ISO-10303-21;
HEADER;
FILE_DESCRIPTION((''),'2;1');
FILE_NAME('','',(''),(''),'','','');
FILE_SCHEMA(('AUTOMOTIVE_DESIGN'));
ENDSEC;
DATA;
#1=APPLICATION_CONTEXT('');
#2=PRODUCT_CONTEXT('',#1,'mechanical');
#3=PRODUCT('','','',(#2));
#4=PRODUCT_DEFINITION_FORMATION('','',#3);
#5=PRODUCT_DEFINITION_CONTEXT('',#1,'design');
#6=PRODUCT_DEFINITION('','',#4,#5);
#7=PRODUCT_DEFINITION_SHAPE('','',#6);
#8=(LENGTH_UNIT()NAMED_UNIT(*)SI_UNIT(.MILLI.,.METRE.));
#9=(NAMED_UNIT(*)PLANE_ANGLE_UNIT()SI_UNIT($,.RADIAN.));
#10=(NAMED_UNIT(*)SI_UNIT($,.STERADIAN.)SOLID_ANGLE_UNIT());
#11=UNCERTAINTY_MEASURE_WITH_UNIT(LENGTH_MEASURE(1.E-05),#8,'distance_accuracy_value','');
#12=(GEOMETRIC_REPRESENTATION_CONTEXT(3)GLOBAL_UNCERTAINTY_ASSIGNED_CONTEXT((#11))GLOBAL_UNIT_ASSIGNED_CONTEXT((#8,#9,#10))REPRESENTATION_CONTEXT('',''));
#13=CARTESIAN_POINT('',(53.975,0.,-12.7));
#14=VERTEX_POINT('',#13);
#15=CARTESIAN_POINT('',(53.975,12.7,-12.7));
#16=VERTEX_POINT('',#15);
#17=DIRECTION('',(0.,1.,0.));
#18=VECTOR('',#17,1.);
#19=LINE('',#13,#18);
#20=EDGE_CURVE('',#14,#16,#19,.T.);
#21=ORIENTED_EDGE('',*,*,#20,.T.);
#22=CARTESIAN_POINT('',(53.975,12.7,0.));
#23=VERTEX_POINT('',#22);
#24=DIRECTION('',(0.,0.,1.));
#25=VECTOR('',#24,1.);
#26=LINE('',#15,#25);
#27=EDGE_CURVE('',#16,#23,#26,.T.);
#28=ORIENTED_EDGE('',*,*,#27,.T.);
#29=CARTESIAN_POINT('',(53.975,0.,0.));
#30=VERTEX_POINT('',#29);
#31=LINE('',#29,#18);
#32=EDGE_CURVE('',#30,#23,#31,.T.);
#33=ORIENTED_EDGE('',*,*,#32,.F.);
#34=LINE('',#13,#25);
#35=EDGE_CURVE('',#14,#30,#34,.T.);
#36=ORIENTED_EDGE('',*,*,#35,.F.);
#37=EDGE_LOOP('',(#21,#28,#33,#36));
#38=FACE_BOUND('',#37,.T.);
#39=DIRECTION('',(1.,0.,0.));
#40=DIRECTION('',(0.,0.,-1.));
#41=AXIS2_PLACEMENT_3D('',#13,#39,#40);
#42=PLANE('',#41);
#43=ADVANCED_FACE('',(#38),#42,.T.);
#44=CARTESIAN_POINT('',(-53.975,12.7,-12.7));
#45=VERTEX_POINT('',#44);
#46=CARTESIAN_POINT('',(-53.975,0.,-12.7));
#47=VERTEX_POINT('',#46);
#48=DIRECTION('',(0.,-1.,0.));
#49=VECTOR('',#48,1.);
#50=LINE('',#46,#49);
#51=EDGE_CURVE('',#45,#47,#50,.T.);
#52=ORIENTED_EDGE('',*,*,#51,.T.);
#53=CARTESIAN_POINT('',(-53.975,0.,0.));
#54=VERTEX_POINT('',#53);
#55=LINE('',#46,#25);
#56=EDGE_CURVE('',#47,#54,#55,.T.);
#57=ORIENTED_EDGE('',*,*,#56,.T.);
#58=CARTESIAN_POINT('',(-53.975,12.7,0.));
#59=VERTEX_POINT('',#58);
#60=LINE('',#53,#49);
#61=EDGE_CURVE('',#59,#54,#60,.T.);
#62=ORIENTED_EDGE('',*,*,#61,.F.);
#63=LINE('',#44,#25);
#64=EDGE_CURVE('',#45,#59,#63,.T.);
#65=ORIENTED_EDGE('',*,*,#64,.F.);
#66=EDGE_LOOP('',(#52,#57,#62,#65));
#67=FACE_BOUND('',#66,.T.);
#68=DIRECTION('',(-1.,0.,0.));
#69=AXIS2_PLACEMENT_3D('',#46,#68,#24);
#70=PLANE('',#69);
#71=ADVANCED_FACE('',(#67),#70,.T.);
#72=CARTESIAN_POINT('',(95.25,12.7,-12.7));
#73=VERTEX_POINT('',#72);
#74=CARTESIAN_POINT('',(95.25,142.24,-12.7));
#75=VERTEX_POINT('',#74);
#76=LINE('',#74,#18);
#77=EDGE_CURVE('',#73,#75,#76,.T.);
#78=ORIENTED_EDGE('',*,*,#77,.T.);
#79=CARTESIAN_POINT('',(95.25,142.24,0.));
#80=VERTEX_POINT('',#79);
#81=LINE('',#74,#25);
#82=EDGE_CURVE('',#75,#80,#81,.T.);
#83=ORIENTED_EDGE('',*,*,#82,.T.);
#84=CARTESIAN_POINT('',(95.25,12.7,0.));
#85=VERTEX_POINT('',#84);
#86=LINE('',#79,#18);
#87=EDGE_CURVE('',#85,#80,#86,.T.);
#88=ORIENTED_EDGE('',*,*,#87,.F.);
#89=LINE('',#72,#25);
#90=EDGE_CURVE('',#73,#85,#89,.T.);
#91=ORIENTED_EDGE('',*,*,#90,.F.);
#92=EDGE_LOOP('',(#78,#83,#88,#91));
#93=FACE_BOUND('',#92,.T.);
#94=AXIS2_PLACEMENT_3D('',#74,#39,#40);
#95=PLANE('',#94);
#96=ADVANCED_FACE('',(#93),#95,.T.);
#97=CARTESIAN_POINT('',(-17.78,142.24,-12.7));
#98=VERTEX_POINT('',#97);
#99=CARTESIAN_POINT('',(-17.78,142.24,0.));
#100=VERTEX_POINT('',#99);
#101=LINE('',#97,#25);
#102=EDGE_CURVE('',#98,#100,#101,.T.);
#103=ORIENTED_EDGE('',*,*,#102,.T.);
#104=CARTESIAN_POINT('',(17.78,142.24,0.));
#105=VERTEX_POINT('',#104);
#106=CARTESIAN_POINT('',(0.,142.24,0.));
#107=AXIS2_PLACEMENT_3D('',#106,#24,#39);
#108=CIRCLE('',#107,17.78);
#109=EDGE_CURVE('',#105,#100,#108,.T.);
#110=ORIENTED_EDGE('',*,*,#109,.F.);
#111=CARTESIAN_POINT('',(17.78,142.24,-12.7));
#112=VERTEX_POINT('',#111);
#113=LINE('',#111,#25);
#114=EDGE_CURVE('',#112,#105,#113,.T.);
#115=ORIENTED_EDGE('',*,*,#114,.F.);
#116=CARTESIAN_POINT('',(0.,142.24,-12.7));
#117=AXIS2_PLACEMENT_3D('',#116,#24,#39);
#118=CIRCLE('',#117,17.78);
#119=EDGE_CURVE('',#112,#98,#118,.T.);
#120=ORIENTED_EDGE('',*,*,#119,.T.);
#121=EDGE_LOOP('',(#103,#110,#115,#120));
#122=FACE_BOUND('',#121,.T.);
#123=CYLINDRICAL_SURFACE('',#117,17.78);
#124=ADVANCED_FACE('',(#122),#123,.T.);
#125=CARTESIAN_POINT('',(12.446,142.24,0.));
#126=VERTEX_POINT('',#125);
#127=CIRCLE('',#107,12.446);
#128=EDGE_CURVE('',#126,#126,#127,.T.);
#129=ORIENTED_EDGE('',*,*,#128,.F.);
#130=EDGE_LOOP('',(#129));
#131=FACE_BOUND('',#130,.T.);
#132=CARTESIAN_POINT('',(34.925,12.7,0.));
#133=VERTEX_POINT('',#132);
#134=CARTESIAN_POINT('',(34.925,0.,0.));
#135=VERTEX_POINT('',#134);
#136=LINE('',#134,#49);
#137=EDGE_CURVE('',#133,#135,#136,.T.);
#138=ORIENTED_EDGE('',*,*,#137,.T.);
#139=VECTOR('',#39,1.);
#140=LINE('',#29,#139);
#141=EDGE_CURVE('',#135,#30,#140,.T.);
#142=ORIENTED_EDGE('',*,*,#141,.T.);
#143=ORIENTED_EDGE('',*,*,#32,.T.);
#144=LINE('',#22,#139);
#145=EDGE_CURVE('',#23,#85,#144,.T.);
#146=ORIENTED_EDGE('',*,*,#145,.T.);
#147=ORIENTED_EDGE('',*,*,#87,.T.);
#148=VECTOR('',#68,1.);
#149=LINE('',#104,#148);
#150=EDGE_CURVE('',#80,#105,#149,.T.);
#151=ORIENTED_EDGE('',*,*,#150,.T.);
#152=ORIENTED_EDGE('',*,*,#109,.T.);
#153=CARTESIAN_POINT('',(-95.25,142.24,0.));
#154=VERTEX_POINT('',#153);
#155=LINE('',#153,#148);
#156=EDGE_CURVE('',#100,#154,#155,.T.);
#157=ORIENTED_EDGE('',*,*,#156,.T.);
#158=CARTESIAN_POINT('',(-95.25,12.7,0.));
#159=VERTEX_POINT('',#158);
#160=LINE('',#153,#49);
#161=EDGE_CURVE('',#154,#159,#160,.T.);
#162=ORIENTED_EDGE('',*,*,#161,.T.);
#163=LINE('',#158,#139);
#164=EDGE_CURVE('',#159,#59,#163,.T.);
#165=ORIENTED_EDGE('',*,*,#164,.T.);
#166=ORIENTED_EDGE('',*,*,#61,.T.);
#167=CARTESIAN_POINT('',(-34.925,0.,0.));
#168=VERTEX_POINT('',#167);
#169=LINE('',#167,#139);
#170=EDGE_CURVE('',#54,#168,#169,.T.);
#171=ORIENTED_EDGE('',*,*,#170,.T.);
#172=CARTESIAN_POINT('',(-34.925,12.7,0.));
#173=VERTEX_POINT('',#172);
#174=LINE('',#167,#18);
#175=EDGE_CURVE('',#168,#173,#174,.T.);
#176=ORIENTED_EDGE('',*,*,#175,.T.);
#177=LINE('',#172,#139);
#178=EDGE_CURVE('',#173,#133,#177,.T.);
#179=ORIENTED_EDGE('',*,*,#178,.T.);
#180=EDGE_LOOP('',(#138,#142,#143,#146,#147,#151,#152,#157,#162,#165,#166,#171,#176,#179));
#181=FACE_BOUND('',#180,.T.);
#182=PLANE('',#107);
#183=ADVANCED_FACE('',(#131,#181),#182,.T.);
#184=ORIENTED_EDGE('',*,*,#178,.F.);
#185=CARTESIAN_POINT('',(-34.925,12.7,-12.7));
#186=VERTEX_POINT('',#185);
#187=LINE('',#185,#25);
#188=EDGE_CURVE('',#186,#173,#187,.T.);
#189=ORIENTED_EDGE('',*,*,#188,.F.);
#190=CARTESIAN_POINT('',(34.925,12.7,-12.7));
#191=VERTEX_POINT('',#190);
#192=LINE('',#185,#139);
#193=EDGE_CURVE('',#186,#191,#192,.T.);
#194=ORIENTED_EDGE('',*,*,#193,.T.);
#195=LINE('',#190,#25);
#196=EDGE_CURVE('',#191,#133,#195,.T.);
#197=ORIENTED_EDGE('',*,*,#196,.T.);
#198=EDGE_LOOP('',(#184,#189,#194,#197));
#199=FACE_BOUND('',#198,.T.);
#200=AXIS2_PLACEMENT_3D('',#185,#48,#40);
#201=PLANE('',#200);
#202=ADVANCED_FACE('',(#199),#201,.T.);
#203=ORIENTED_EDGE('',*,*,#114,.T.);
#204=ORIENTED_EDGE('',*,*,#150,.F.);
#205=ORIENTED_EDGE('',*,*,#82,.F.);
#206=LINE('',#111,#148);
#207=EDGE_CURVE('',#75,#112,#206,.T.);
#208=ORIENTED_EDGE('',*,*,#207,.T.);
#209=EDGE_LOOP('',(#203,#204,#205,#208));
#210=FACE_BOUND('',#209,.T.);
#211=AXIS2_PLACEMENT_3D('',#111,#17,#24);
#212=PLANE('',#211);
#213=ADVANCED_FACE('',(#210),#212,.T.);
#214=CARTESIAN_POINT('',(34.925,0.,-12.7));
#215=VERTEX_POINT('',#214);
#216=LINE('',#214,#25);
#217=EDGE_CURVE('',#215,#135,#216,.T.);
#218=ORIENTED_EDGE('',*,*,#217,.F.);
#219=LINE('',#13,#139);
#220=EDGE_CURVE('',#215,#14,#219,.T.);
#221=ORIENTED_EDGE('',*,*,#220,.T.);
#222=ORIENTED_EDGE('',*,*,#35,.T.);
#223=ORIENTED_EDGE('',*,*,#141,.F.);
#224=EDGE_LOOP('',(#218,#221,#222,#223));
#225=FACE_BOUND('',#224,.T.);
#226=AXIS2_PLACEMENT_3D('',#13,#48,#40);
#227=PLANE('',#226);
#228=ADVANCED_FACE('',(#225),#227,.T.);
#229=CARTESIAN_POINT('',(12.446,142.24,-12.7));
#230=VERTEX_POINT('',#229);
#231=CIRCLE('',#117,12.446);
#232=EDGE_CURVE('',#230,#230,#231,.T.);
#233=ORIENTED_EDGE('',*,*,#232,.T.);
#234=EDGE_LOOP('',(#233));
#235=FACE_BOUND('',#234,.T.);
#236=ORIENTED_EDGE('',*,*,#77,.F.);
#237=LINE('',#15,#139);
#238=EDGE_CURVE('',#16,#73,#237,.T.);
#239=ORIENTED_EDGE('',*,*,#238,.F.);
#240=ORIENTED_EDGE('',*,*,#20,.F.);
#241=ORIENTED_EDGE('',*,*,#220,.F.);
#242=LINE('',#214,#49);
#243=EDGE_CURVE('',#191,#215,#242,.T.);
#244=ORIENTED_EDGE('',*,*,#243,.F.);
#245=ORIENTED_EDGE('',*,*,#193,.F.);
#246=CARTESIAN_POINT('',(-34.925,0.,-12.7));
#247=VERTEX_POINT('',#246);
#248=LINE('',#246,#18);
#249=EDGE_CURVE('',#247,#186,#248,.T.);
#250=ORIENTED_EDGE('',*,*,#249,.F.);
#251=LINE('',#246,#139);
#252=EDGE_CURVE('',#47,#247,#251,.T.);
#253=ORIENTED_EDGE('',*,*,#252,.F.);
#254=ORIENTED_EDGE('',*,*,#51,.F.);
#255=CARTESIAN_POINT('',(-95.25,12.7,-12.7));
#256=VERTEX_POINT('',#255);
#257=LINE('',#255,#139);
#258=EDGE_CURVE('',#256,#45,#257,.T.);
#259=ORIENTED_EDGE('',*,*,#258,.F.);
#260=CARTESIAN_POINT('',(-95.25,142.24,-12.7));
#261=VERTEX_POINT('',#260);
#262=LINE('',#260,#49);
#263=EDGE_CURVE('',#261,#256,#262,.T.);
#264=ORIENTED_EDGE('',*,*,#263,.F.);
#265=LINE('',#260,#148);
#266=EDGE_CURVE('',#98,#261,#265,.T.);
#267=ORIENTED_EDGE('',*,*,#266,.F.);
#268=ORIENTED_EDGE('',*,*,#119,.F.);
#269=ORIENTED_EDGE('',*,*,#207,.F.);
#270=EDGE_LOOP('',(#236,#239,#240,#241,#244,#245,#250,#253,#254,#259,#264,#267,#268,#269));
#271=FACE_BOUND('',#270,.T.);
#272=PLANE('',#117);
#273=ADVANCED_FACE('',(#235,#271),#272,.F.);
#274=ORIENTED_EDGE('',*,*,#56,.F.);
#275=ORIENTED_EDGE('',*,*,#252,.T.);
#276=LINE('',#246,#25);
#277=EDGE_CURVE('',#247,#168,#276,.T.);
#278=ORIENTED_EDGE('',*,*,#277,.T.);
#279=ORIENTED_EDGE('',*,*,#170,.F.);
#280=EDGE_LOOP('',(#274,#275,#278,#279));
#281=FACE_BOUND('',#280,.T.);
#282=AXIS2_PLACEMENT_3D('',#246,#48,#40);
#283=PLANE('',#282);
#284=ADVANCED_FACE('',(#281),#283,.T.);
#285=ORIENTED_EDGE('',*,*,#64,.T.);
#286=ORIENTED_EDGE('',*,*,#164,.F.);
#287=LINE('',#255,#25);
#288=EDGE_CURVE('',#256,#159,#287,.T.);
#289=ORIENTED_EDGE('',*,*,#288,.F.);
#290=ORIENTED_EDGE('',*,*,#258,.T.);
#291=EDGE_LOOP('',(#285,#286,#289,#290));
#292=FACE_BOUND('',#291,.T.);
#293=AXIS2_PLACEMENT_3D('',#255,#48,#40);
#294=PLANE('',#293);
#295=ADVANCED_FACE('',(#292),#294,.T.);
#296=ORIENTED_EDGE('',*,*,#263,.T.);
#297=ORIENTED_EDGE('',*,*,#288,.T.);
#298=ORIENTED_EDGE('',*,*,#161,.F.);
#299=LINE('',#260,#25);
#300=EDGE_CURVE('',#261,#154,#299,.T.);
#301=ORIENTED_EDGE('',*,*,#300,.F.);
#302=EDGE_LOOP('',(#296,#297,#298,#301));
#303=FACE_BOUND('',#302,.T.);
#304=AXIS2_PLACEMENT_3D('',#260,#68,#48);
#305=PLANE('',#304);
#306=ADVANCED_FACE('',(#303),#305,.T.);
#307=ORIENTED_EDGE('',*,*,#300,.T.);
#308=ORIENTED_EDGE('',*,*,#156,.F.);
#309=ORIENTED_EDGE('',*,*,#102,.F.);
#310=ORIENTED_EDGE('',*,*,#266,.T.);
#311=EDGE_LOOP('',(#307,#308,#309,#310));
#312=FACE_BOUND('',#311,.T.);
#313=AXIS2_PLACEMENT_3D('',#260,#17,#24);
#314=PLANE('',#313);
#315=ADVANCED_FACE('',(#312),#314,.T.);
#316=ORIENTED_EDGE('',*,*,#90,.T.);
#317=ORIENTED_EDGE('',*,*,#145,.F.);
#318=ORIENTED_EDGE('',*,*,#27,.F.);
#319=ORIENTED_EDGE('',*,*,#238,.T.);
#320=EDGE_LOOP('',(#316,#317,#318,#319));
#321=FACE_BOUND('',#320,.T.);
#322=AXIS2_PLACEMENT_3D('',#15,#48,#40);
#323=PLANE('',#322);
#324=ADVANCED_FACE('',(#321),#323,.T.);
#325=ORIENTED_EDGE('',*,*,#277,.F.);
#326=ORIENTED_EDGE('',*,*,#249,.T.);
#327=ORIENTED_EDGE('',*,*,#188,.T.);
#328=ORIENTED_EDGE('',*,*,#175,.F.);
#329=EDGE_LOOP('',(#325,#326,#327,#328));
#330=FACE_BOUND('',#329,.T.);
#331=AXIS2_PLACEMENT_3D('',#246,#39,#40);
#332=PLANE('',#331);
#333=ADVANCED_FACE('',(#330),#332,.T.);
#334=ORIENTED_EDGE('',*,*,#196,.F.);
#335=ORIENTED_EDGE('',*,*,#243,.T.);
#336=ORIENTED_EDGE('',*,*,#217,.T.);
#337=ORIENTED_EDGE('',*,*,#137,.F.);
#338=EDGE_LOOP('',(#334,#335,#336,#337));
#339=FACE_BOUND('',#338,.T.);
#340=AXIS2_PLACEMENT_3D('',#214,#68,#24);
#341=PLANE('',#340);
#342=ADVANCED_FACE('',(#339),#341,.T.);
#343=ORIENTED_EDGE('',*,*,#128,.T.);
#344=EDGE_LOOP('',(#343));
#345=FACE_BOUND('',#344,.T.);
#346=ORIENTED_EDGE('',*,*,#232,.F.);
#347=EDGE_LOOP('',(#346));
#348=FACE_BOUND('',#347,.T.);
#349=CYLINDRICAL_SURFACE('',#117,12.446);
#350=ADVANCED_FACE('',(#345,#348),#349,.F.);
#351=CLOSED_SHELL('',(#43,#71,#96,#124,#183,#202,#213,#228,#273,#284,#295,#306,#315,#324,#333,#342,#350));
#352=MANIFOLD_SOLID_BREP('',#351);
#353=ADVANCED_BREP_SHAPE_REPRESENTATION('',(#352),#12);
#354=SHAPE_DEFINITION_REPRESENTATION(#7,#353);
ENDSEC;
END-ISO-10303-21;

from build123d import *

# Parameters (mm, degrees)
SKETCH1_R      = 12.446
EXTRUDE1_DEPTH = 12.7


with BuildPart() as part:
    # Sketch1 → Extrude1 (new body)
    with BuildSketch(Plane.XY):
        with BuildLine():
            Line((-95.25, 142.24), (-17.78, 142.24))
            ThreePointArc((-17.78, 142.24), (0, 160.02), (17.78, 142.24))
            Line((17.78, 142.24), (95.25, 142.24))
            Line((95.25, 142.24), (95.25, 12.7))
            Line((95.25, 12.7), (53.975, 12.7))
            Line((53.975, 12.7), (53.975, 0))
            Line((53.975, 0), (34.925, 0))
            Line((34.925, 0), (34.925, 12.7))
            Line((34.925, 12.7), (-34.925, 12.7))
            Line((-34.925, 12.7), (-34.925, 0))
            Line((-34.925, 0), (-53.975, 0))
            Line((-53.975, 0), (-53.975, 12.7))
            Line((-53.975, 12.7), (-95.25, 12.7))
            Line((-95.25, 12.7), (-95.25, 142.24))
        make_face()
        with Locations((0, 142.24)):
            Circle(SKETCH1_R, mode=Mode.SUBTRACT)
    extrude(amount=-EXTRUDE1_DEPTH)


solid = part.part
